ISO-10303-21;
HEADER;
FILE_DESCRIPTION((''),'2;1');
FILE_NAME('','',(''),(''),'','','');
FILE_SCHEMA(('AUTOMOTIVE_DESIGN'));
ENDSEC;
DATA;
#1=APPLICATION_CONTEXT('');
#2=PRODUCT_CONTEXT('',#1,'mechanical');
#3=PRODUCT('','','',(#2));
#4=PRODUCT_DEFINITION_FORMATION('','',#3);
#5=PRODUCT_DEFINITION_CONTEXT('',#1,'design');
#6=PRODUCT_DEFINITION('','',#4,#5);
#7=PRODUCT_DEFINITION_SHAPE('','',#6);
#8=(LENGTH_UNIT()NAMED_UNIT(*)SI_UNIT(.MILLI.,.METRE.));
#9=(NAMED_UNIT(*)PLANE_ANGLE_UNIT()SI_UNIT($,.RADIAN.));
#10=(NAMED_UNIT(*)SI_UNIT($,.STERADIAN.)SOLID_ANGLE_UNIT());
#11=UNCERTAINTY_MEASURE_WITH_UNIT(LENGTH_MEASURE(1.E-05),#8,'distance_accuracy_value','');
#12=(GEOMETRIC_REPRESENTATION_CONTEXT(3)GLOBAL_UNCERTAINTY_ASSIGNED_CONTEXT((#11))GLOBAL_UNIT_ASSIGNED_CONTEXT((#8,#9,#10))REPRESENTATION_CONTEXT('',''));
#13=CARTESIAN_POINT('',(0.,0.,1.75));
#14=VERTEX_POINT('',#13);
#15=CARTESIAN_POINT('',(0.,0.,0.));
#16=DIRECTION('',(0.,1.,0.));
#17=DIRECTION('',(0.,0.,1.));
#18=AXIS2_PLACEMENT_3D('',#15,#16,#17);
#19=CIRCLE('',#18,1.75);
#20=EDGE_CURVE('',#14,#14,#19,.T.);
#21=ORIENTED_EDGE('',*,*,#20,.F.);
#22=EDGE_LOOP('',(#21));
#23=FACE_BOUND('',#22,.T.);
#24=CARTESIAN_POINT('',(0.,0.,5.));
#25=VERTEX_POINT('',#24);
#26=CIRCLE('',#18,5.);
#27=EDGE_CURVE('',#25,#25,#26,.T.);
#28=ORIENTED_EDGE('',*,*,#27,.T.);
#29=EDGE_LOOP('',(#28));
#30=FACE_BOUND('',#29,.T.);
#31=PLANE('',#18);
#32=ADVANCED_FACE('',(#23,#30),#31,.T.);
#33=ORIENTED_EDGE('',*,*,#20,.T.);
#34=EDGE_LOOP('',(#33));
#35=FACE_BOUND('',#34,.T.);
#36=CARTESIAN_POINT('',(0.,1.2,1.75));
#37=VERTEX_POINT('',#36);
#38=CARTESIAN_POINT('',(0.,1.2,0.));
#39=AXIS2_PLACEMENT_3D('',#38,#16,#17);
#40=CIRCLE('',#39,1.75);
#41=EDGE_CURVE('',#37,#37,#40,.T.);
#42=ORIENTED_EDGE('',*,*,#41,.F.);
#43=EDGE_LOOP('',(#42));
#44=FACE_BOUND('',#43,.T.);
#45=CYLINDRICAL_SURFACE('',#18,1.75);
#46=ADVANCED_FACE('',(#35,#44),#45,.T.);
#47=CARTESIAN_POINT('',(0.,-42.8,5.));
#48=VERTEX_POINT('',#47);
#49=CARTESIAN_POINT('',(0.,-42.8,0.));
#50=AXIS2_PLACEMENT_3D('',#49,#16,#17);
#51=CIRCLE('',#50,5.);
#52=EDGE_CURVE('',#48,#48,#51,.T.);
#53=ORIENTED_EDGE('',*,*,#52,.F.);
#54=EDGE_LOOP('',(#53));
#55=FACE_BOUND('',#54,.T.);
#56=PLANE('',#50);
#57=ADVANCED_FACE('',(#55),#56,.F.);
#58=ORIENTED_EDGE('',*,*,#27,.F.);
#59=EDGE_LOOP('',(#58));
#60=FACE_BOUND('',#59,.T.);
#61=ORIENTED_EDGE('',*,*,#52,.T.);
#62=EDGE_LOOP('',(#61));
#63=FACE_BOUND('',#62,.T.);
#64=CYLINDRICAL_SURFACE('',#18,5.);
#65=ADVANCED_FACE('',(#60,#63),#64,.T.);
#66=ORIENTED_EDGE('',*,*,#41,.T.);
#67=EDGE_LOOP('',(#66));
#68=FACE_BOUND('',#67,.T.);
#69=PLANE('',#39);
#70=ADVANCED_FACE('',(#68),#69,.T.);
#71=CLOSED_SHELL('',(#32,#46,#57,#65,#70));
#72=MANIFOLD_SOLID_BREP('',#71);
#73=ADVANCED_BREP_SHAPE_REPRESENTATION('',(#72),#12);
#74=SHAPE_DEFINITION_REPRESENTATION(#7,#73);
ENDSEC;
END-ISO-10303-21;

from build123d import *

# Parameters (mm, degrees)
SKETCH_1_W = 1.75
SKETCH_1_H = 1.2


with BuildPart() as part:
    # 草图1 → 旋转1 (revolve)
    with BuildSketch(Plane(origin=(0, 0, 0), x_dir=(0, 0, -1), z_dir=(1, 0, 0)), mode=Mode.PRIVATE) as revolve_1_sk:
        with Locations((0.875, 0.6)):
            Rectangle(SKETCH_1_W, SKETCH_1_H)
        Polygon((1.75, 0), (0, 0), (0, -42.8), (5, -42.8), (5, 0), align=None)
    revolve(revolve_1_sk.sketch.rotate(Axis((0, 0, 0), (0, -1, 0)), 180), axis=Axis((0, 0, 0), (0, -1, 0)))


solid = part.part
